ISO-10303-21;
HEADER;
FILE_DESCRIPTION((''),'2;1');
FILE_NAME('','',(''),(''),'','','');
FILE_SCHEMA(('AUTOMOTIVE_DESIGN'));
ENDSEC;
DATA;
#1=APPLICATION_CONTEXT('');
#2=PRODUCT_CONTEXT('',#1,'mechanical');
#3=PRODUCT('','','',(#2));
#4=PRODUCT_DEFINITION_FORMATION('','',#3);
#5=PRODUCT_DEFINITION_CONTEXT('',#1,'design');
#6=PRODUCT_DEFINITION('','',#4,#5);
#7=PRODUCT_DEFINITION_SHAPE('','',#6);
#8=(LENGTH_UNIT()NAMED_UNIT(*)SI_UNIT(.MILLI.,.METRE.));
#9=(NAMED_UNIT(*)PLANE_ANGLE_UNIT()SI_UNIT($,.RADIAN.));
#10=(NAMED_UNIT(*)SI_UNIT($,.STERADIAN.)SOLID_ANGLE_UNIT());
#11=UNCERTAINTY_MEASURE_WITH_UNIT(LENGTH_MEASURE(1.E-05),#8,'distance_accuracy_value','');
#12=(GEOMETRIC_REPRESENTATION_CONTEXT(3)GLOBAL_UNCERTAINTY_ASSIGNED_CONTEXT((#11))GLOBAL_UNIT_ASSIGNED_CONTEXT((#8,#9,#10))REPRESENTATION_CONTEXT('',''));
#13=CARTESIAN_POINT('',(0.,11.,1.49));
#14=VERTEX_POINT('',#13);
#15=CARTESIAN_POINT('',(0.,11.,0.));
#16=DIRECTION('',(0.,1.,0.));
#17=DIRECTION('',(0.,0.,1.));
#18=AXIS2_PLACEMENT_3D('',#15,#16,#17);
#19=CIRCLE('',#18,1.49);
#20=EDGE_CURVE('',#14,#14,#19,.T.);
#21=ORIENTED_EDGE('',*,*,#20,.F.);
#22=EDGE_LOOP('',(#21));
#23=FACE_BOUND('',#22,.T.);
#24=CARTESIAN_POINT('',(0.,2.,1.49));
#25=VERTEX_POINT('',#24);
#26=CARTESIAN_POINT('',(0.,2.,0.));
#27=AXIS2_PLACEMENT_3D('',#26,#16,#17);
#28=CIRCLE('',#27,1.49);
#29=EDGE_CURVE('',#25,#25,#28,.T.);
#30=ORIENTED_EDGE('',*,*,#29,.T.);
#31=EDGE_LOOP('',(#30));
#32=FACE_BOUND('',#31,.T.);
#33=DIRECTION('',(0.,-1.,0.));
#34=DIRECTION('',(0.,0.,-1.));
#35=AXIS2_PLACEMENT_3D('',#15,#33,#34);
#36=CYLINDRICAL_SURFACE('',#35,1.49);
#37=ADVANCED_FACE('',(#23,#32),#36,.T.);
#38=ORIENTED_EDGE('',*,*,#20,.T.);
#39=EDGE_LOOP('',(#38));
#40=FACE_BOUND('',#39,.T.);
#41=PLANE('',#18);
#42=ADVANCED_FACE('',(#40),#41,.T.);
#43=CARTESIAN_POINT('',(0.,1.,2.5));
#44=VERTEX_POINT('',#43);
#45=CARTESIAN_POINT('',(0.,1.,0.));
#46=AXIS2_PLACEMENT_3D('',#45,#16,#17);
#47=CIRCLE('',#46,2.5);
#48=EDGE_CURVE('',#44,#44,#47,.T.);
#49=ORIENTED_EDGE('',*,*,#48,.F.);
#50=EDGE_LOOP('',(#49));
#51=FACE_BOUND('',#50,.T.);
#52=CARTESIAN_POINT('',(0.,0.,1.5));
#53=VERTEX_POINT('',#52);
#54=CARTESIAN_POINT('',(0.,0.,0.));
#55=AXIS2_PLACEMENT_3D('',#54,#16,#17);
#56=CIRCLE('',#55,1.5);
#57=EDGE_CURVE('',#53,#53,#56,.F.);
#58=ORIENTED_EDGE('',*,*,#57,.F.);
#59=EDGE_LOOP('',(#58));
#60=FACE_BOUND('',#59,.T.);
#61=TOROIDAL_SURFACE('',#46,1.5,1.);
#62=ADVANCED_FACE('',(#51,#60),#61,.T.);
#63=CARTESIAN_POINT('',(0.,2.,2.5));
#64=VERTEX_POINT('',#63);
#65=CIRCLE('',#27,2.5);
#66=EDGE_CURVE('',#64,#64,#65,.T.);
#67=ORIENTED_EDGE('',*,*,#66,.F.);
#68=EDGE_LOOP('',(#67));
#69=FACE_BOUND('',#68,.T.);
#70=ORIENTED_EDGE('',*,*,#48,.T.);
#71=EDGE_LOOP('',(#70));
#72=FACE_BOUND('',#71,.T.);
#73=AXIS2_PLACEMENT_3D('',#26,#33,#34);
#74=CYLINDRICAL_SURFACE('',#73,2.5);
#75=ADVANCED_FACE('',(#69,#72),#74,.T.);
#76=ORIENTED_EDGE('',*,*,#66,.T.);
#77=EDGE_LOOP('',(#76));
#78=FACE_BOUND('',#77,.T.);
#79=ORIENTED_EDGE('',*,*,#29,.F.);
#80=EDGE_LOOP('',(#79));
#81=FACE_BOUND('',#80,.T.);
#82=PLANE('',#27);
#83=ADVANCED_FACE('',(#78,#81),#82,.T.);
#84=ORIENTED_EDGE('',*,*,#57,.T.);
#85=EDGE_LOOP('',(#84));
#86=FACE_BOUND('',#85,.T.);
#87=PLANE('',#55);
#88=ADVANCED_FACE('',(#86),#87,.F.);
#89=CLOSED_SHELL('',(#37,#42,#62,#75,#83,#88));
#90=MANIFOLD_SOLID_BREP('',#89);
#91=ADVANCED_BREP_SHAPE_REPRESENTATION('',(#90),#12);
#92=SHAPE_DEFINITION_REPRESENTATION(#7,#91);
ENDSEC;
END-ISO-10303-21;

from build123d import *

# Parameters (mm, degrees)
SKETCH1_R           = 2.5
BOSS_EXTRUDE1_DEPTH = 2
SKETCH2_R           = 1.49
BOSS_EXTRUDE2_DEPTH = 9
FILLET3_R           = 1


with BuildPart() as part:
    # Sketch1 → Boss-Extrude1 (new body)
    with BuildSketch(Plane(origin=(0, 0, 0), x_dir=(1, 0, 0), z_dir=(0, 1, 0))):
        Circle(SKETCH1_R)
    extrude(amount=BOSS_EXTRUDE1_DEPTH)

    # Sketch2 → Boss-Extrude2 (add)
    with BuildSketch(Plane(origin=(0, 2, 0), x_dir=(1, 0, 0), z_dir=(0, 1, 0))):
        Circle(SKETCH2_R)
    extrude(amount=BOSS_EXTRUDE2_DEPTH)

    # Fillet3
    fillet3_edges = [part.edges().sort_by_distance(p)[0] for p in [
        (-2.5, 0, 0),
    ]]
    fillet(fillet3_edges, radius=FILLET3_R)


solid = part.part
